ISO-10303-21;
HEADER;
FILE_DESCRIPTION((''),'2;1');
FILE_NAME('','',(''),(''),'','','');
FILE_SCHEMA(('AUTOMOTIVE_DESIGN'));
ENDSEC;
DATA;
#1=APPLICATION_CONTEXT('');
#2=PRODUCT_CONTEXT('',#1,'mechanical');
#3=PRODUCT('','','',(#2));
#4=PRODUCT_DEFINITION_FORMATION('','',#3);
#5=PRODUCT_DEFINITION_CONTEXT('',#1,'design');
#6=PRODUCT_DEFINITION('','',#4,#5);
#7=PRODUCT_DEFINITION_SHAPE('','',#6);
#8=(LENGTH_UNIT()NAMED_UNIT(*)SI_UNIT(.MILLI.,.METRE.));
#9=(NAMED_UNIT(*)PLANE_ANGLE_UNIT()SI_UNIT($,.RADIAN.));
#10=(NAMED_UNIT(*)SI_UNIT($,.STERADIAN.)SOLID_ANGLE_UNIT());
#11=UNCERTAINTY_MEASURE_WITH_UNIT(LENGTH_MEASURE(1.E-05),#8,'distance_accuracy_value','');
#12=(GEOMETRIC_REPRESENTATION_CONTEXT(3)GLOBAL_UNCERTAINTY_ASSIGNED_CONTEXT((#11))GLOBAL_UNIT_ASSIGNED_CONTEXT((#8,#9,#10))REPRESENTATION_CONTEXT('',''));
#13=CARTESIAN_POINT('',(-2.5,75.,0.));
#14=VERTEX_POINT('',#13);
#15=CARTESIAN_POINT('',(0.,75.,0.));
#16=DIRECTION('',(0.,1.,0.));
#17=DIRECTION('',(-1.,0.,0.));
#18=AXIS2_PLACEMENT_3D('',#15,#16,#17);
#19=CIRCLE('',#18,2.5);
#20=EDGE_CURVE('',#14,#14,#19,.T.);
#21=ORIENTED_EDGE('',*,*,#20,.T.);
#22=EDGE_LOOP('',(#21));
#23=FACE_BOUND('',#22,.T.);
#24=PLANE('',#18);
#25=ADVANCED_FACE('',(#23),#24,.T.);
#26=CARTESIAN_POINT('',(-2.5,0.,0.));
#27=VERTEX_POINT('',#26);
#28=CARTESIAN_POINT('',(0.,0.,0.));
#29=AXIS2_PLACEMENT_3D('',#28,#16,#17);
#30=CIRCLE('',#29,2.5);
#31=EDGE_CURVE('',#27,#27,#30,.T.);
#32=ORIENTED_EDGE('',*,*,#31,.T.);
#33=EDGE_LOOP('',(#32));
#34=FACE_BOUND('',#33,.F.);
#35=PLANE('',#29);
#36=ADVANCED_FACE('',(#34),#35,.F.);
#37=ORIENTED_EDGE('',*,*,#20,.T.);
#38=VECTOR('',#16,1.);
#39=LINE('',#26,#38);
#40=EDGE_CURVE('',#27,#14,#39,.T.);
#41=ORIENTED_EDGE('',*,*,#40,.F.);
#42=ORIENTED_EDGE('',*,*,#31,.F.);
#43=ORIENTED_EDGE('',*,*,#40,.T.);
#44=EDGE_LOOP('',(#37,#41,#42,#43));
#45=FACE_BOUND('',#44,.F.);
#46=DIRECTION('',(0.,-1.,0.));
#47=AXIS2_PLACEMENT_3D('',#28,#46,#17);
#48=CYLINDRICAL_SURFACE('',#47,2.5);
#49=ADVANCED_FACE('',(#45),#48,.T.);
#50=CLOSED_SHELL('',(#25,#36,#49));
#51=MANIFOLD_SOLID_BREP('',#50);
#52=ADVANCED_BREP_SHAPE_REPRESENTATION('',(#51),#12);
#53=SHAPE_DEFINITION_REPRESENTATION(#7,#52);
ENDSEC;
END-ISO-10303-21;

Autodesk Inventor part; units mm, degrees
ref_plane "YZ Plane" through (0, 0, 0) normal (1, 0, 0) x (0, 1, 0)
ref_plane "XZ Plane" through (0, 0, 0) normal (0, 1, 0) x (-1, 0, 0)
ref_plane "XY Plane" through (0, 0, 0) normal (0, 0, 1) x (1, 0, 0)
sketch "Skizze1" plane through (0, 0, 0) normal (0, 1, 0) x (-1, 0, 0)
  circle A0 centre (0, 0) radius 2.5
  dimension "d0" = 5
extrude "Extrusion1" add sketch "Skizze1" along normal blind 75
properties part number "Metall Stab M5" material "Stahl"
